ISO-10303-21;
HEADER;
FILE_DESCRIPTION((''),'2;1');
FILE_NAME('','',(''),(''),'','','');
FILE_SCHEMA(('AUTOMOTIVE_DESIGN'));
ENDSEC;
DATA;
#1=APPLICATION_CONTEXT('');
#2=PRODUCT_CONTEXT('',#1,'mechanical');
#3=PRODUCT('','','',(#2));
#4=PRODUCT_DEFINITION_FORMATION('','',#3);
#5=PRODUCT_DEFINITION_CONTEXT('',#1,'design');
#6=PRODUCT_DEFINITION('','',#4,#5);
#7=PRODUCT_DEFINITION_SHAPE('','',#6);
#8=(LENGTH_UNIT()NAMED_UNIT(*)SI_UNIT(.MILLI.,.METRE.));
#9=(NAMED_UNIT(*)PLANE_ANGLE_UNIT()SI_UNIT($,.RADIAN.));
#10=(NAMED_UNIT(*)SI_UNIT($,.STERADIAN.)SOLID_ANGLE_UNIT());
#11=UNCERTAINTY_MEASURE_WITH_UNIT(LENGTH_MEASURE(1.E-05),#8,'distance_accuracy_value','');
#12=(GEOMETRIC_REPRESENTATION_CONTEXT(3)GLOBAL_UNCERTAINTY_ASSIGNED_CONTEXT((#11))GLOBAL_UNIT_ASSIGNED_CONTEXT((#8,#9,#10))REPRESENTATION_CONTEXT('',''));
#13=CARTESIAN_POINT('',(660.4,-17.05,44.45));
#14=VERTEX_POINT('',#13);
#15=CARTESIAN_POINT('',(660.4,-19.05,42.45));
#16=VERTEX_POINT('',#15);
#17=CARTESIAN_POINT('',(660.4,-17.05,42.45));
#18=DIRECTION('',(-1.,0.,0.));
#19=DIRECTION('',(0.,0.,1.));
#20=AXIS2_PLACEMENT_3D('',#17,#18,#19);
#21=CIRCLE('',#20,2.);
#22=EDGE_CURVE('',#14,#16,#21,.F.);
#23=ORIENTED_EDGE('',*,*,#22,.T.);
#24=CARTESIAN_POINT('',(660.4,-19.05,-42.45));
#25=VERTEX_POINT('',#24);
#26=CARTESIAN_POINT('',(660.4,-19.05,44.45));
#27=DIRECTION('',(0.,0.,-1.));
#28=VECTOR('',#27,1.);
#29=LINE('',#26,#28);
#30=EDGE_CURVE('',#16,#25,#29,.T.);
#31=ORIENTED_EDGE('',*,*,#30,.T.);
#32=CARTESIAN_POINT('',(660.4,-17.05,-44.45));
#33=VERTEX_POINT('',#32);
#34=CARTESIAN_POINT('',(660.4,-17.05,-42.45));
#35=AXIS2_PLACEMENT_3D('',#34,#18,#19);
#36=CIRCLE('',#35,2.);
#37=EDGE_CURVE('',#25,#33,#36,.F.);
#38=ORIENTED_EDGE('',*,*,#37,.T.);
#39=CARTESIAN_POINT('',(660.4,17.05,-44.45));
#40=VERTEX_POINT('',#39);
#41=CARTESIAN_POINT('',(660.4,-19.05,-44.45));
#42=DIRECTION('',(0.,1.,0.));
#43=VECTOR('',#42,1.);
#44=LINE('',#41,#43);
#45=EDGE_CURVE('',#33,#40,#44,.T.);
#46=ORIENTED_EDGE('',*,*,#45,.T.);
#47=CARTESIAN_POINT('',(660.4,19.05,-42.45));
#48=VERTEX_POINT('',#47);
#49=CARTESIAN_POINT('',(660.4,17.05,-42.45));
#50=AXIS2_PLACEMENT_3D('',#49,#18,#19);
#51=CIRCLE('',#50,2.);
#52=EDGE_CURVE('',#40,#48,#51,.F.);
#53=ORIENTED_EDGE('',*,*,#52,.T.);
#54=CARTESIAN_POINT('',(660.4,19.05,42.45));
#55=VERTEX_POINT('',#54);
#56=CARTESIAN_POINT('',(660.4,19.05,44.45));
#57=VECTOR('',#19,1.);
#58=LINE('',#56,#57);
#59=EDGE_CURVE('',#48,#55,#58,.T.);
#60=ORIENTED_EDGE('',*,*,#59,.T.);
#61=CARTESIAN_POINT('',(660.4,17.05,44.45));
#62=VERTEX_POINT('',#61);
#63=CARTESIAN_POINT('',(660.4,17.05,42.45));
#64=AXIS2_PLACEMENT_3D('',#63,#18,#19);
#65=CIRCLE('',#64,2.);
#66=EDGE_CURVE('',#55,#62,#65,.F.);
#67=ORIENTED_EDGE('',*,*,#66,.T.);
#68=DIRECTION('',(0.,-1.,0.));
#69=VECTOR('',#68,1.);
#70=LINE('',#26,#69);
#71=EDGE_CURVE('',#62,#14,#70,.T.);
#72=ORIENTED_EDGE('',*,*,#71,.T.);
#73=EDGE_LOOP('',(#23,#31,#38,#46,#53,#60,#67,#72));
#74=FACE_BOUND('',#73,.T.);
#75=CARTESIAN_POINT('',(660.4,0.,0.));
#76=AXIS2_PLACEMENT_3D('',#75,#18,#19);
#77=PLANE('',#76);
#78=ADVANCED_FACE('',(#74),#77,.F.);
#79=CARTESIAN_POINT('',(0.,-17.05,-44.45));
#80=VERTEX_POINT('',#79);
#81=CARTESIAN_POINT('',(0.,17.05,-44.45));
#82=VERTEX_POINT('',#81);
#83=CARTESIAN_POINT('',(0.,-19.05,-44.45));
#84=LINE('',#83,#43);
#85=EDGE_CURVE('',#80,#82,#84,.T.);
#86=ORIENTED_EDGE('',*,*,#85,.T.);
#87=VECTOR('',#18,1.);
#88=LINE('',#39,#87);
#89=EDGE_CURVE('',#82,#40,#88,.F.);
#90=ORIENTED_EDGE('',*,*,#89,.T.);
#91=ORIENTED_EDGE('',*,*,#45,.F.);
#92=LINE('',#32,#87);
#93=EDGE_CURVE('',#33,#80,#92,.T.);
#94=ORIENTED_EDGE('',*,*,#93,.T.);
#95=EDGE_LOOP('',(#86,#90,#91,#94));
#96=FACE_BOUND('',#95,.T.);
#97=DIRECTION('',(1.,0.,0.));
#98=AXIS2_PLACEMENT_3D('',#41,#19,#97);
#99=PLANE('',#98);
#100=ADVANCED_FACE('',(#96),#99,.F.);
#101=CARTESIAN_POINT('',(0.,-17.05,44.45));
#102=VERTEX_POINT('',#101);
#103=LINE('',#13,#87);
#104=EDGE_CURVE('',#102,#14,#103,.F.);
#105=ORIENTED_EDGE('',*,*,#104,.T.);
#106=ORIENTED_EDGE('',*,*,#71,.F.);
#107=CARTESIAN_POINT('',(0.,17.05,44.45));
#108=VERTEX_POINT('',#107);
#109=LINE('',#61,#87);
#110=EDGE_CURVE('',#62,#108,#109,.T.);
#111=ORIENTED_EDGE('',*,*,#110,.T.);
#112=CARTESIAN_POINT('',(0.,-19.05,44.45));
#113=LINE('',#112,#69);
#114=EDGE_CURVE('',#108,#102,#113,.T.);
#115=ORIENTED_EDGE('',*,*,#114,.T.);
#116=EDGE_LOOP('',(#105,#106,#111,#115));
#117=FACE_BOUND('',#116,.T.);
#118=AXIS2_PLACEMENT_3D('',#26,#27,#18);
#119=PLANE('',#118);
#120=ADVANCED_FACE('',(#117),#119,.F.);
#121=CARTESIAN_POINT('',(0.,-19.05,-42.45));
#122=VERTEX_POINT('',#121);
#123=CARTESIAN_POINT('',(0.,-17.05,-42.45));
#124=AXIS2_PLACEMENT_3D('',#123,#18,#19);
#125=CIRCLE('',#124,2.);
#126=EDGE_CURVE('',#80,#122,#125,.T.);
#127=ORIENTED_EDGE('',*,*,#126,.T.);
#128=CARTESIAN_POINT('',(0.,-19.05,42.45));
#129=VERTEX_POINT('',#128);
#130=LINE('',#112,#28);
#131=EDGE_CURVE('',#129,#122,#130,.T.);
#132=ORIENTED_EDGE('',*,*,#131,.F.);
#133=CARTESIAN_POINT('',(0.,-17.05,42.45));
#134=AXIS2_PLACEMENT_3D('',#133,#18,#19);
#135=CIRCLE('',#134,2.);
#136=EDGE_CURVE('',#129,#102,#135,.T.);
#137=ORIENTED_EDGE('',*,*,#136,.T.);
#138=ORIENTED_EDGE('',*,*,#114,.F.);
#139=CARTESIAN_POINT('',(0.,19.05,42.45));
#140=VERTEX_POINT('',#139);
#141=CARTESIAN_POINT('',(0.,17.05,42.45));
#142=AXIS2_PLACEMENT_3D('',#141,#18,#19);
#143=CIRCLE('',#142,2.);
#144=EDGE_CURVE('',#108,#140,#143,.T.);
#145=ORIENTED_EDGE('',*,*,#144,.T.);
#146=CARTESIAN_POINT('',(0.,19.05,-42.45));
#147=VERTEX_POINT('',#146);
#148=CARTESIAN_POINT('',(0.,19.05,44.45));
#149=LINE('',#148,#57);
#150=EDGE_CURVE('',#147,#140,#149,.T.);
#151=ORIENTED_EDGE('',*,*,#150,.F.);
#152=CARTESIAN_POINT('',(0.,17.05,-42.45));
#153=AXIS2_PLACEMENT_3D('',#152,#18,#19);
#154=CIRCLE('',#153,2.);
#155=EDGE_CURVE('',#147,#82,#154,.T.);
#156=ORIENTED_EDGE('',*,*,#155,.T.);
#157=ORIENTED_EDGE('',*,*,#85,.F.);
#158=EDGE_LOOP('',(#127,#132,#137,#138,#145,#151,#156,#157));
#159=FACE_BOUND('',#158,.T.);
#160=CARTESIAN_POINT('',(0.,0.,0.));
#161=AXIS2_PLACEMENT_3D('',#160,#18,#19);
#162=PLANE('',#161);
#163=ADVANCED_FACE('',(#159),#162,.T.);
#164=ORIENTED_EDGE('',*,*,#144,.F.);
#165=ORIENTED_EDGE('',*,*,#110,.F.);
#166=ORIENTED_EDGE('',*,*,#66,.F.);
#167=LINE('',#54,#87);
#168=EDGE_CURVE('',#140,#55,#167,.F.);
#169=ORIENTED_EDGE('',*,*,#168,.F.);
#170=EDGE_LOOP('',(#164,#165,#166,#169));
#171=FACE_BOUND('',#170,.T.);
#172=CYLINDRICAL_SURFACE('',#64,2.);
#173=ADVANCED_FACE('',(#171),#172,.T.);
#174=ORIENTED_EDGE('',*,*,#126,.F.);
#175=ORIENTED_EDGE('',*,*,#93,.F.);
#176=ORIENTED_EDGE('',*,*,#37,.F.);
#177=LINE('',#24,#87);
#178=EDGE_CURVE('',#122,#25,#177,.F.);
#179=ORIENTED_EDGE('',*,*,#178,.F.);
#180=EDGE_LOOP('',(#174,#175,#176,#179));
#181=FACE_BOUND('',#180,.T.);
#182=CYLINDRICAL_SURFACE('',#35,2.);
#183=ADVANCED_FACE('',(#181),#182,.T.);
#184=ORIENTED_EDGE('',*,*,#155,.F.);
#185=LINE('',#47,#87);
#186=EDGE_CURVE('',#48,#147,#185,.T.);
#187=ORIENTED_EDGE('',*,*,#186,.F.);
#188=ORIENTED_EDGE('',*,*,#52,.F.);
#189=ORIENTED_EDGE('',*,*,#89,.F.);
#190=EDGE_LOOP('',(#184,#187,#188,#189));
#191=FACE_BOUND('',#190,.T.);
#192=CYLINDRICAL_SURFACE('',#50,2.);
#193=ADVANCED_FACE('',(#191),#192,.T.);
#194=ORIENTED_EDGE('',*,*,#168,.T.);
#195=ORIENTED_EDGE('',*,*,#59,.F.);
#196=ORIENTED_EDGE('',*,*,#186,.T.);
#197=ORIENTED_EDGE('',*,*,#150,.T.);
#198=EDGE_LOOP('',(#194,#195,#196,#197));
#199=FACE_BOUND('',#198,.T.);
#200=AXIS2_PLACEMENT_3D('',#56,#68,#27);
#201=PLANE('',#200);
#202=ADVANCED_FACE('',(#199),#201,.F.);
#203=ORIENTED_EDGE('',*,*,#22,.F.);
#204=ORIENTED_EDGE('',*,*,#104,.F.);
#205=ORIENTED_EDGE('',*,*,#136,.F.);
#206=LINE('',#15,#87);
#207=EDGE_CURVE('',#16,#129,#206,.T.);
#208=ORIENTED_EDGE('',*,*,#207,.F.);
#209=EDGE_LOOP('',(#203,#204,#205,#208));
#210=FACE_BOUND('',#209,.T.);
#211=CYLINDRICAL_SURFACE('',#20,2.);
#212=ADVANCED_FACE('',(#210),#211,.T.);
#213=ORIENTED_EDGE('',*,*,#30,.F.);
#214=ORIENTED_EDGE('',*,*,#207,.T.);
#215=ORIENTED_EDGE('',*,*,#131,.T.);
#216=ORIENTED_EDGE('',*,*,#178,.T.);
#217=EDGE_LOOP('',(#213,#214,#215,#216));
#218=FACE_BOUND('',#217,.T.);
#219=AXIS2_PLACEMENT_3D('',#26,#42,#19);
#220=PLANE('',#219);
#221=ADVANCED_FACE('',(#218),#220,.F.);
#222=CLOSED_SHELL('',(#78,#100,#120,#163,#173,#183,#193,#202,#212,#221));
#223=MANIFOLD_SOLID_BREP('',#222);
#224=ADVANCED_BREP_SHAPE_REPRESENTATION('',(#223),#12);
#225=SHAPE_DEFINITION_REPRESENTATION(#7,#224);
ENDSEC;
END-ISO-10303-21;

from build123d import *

# Parameters (mm, degrees)
SKETCH1_W           = 88.9
SKETCH1_H           = 38.1
BOSS_EXTRUDE1_DEPTH = 660.4
FILLET1_R           = 2


with BuildPart() as part:
    # Sketch1 → Boss-Extrude1 (new body)
    with BuildSketch(Plane(origin=(0, 0, 0), x_dir=(0, 0, -1), z_dir=(1, 0, 0))):
        Rectangle(SKETCH1_W, SKETCH1_H)
    extrude(amount=BOSS_EXTRUDE1_DEPTH)

    # Fillet1
    fillet1_edges = [part.edges().sort_by_distance(p)[0] for p in [
        (330.2, -19.05, -44.45),
        (330.2, -19.05, 44.45),
        (330.2, 19.05, 44.45),
        (330.2, 19.05, -44.45),
    ]]
    fillet(fillet1_edges, radius=FILLET1_R)


solid = part.part
